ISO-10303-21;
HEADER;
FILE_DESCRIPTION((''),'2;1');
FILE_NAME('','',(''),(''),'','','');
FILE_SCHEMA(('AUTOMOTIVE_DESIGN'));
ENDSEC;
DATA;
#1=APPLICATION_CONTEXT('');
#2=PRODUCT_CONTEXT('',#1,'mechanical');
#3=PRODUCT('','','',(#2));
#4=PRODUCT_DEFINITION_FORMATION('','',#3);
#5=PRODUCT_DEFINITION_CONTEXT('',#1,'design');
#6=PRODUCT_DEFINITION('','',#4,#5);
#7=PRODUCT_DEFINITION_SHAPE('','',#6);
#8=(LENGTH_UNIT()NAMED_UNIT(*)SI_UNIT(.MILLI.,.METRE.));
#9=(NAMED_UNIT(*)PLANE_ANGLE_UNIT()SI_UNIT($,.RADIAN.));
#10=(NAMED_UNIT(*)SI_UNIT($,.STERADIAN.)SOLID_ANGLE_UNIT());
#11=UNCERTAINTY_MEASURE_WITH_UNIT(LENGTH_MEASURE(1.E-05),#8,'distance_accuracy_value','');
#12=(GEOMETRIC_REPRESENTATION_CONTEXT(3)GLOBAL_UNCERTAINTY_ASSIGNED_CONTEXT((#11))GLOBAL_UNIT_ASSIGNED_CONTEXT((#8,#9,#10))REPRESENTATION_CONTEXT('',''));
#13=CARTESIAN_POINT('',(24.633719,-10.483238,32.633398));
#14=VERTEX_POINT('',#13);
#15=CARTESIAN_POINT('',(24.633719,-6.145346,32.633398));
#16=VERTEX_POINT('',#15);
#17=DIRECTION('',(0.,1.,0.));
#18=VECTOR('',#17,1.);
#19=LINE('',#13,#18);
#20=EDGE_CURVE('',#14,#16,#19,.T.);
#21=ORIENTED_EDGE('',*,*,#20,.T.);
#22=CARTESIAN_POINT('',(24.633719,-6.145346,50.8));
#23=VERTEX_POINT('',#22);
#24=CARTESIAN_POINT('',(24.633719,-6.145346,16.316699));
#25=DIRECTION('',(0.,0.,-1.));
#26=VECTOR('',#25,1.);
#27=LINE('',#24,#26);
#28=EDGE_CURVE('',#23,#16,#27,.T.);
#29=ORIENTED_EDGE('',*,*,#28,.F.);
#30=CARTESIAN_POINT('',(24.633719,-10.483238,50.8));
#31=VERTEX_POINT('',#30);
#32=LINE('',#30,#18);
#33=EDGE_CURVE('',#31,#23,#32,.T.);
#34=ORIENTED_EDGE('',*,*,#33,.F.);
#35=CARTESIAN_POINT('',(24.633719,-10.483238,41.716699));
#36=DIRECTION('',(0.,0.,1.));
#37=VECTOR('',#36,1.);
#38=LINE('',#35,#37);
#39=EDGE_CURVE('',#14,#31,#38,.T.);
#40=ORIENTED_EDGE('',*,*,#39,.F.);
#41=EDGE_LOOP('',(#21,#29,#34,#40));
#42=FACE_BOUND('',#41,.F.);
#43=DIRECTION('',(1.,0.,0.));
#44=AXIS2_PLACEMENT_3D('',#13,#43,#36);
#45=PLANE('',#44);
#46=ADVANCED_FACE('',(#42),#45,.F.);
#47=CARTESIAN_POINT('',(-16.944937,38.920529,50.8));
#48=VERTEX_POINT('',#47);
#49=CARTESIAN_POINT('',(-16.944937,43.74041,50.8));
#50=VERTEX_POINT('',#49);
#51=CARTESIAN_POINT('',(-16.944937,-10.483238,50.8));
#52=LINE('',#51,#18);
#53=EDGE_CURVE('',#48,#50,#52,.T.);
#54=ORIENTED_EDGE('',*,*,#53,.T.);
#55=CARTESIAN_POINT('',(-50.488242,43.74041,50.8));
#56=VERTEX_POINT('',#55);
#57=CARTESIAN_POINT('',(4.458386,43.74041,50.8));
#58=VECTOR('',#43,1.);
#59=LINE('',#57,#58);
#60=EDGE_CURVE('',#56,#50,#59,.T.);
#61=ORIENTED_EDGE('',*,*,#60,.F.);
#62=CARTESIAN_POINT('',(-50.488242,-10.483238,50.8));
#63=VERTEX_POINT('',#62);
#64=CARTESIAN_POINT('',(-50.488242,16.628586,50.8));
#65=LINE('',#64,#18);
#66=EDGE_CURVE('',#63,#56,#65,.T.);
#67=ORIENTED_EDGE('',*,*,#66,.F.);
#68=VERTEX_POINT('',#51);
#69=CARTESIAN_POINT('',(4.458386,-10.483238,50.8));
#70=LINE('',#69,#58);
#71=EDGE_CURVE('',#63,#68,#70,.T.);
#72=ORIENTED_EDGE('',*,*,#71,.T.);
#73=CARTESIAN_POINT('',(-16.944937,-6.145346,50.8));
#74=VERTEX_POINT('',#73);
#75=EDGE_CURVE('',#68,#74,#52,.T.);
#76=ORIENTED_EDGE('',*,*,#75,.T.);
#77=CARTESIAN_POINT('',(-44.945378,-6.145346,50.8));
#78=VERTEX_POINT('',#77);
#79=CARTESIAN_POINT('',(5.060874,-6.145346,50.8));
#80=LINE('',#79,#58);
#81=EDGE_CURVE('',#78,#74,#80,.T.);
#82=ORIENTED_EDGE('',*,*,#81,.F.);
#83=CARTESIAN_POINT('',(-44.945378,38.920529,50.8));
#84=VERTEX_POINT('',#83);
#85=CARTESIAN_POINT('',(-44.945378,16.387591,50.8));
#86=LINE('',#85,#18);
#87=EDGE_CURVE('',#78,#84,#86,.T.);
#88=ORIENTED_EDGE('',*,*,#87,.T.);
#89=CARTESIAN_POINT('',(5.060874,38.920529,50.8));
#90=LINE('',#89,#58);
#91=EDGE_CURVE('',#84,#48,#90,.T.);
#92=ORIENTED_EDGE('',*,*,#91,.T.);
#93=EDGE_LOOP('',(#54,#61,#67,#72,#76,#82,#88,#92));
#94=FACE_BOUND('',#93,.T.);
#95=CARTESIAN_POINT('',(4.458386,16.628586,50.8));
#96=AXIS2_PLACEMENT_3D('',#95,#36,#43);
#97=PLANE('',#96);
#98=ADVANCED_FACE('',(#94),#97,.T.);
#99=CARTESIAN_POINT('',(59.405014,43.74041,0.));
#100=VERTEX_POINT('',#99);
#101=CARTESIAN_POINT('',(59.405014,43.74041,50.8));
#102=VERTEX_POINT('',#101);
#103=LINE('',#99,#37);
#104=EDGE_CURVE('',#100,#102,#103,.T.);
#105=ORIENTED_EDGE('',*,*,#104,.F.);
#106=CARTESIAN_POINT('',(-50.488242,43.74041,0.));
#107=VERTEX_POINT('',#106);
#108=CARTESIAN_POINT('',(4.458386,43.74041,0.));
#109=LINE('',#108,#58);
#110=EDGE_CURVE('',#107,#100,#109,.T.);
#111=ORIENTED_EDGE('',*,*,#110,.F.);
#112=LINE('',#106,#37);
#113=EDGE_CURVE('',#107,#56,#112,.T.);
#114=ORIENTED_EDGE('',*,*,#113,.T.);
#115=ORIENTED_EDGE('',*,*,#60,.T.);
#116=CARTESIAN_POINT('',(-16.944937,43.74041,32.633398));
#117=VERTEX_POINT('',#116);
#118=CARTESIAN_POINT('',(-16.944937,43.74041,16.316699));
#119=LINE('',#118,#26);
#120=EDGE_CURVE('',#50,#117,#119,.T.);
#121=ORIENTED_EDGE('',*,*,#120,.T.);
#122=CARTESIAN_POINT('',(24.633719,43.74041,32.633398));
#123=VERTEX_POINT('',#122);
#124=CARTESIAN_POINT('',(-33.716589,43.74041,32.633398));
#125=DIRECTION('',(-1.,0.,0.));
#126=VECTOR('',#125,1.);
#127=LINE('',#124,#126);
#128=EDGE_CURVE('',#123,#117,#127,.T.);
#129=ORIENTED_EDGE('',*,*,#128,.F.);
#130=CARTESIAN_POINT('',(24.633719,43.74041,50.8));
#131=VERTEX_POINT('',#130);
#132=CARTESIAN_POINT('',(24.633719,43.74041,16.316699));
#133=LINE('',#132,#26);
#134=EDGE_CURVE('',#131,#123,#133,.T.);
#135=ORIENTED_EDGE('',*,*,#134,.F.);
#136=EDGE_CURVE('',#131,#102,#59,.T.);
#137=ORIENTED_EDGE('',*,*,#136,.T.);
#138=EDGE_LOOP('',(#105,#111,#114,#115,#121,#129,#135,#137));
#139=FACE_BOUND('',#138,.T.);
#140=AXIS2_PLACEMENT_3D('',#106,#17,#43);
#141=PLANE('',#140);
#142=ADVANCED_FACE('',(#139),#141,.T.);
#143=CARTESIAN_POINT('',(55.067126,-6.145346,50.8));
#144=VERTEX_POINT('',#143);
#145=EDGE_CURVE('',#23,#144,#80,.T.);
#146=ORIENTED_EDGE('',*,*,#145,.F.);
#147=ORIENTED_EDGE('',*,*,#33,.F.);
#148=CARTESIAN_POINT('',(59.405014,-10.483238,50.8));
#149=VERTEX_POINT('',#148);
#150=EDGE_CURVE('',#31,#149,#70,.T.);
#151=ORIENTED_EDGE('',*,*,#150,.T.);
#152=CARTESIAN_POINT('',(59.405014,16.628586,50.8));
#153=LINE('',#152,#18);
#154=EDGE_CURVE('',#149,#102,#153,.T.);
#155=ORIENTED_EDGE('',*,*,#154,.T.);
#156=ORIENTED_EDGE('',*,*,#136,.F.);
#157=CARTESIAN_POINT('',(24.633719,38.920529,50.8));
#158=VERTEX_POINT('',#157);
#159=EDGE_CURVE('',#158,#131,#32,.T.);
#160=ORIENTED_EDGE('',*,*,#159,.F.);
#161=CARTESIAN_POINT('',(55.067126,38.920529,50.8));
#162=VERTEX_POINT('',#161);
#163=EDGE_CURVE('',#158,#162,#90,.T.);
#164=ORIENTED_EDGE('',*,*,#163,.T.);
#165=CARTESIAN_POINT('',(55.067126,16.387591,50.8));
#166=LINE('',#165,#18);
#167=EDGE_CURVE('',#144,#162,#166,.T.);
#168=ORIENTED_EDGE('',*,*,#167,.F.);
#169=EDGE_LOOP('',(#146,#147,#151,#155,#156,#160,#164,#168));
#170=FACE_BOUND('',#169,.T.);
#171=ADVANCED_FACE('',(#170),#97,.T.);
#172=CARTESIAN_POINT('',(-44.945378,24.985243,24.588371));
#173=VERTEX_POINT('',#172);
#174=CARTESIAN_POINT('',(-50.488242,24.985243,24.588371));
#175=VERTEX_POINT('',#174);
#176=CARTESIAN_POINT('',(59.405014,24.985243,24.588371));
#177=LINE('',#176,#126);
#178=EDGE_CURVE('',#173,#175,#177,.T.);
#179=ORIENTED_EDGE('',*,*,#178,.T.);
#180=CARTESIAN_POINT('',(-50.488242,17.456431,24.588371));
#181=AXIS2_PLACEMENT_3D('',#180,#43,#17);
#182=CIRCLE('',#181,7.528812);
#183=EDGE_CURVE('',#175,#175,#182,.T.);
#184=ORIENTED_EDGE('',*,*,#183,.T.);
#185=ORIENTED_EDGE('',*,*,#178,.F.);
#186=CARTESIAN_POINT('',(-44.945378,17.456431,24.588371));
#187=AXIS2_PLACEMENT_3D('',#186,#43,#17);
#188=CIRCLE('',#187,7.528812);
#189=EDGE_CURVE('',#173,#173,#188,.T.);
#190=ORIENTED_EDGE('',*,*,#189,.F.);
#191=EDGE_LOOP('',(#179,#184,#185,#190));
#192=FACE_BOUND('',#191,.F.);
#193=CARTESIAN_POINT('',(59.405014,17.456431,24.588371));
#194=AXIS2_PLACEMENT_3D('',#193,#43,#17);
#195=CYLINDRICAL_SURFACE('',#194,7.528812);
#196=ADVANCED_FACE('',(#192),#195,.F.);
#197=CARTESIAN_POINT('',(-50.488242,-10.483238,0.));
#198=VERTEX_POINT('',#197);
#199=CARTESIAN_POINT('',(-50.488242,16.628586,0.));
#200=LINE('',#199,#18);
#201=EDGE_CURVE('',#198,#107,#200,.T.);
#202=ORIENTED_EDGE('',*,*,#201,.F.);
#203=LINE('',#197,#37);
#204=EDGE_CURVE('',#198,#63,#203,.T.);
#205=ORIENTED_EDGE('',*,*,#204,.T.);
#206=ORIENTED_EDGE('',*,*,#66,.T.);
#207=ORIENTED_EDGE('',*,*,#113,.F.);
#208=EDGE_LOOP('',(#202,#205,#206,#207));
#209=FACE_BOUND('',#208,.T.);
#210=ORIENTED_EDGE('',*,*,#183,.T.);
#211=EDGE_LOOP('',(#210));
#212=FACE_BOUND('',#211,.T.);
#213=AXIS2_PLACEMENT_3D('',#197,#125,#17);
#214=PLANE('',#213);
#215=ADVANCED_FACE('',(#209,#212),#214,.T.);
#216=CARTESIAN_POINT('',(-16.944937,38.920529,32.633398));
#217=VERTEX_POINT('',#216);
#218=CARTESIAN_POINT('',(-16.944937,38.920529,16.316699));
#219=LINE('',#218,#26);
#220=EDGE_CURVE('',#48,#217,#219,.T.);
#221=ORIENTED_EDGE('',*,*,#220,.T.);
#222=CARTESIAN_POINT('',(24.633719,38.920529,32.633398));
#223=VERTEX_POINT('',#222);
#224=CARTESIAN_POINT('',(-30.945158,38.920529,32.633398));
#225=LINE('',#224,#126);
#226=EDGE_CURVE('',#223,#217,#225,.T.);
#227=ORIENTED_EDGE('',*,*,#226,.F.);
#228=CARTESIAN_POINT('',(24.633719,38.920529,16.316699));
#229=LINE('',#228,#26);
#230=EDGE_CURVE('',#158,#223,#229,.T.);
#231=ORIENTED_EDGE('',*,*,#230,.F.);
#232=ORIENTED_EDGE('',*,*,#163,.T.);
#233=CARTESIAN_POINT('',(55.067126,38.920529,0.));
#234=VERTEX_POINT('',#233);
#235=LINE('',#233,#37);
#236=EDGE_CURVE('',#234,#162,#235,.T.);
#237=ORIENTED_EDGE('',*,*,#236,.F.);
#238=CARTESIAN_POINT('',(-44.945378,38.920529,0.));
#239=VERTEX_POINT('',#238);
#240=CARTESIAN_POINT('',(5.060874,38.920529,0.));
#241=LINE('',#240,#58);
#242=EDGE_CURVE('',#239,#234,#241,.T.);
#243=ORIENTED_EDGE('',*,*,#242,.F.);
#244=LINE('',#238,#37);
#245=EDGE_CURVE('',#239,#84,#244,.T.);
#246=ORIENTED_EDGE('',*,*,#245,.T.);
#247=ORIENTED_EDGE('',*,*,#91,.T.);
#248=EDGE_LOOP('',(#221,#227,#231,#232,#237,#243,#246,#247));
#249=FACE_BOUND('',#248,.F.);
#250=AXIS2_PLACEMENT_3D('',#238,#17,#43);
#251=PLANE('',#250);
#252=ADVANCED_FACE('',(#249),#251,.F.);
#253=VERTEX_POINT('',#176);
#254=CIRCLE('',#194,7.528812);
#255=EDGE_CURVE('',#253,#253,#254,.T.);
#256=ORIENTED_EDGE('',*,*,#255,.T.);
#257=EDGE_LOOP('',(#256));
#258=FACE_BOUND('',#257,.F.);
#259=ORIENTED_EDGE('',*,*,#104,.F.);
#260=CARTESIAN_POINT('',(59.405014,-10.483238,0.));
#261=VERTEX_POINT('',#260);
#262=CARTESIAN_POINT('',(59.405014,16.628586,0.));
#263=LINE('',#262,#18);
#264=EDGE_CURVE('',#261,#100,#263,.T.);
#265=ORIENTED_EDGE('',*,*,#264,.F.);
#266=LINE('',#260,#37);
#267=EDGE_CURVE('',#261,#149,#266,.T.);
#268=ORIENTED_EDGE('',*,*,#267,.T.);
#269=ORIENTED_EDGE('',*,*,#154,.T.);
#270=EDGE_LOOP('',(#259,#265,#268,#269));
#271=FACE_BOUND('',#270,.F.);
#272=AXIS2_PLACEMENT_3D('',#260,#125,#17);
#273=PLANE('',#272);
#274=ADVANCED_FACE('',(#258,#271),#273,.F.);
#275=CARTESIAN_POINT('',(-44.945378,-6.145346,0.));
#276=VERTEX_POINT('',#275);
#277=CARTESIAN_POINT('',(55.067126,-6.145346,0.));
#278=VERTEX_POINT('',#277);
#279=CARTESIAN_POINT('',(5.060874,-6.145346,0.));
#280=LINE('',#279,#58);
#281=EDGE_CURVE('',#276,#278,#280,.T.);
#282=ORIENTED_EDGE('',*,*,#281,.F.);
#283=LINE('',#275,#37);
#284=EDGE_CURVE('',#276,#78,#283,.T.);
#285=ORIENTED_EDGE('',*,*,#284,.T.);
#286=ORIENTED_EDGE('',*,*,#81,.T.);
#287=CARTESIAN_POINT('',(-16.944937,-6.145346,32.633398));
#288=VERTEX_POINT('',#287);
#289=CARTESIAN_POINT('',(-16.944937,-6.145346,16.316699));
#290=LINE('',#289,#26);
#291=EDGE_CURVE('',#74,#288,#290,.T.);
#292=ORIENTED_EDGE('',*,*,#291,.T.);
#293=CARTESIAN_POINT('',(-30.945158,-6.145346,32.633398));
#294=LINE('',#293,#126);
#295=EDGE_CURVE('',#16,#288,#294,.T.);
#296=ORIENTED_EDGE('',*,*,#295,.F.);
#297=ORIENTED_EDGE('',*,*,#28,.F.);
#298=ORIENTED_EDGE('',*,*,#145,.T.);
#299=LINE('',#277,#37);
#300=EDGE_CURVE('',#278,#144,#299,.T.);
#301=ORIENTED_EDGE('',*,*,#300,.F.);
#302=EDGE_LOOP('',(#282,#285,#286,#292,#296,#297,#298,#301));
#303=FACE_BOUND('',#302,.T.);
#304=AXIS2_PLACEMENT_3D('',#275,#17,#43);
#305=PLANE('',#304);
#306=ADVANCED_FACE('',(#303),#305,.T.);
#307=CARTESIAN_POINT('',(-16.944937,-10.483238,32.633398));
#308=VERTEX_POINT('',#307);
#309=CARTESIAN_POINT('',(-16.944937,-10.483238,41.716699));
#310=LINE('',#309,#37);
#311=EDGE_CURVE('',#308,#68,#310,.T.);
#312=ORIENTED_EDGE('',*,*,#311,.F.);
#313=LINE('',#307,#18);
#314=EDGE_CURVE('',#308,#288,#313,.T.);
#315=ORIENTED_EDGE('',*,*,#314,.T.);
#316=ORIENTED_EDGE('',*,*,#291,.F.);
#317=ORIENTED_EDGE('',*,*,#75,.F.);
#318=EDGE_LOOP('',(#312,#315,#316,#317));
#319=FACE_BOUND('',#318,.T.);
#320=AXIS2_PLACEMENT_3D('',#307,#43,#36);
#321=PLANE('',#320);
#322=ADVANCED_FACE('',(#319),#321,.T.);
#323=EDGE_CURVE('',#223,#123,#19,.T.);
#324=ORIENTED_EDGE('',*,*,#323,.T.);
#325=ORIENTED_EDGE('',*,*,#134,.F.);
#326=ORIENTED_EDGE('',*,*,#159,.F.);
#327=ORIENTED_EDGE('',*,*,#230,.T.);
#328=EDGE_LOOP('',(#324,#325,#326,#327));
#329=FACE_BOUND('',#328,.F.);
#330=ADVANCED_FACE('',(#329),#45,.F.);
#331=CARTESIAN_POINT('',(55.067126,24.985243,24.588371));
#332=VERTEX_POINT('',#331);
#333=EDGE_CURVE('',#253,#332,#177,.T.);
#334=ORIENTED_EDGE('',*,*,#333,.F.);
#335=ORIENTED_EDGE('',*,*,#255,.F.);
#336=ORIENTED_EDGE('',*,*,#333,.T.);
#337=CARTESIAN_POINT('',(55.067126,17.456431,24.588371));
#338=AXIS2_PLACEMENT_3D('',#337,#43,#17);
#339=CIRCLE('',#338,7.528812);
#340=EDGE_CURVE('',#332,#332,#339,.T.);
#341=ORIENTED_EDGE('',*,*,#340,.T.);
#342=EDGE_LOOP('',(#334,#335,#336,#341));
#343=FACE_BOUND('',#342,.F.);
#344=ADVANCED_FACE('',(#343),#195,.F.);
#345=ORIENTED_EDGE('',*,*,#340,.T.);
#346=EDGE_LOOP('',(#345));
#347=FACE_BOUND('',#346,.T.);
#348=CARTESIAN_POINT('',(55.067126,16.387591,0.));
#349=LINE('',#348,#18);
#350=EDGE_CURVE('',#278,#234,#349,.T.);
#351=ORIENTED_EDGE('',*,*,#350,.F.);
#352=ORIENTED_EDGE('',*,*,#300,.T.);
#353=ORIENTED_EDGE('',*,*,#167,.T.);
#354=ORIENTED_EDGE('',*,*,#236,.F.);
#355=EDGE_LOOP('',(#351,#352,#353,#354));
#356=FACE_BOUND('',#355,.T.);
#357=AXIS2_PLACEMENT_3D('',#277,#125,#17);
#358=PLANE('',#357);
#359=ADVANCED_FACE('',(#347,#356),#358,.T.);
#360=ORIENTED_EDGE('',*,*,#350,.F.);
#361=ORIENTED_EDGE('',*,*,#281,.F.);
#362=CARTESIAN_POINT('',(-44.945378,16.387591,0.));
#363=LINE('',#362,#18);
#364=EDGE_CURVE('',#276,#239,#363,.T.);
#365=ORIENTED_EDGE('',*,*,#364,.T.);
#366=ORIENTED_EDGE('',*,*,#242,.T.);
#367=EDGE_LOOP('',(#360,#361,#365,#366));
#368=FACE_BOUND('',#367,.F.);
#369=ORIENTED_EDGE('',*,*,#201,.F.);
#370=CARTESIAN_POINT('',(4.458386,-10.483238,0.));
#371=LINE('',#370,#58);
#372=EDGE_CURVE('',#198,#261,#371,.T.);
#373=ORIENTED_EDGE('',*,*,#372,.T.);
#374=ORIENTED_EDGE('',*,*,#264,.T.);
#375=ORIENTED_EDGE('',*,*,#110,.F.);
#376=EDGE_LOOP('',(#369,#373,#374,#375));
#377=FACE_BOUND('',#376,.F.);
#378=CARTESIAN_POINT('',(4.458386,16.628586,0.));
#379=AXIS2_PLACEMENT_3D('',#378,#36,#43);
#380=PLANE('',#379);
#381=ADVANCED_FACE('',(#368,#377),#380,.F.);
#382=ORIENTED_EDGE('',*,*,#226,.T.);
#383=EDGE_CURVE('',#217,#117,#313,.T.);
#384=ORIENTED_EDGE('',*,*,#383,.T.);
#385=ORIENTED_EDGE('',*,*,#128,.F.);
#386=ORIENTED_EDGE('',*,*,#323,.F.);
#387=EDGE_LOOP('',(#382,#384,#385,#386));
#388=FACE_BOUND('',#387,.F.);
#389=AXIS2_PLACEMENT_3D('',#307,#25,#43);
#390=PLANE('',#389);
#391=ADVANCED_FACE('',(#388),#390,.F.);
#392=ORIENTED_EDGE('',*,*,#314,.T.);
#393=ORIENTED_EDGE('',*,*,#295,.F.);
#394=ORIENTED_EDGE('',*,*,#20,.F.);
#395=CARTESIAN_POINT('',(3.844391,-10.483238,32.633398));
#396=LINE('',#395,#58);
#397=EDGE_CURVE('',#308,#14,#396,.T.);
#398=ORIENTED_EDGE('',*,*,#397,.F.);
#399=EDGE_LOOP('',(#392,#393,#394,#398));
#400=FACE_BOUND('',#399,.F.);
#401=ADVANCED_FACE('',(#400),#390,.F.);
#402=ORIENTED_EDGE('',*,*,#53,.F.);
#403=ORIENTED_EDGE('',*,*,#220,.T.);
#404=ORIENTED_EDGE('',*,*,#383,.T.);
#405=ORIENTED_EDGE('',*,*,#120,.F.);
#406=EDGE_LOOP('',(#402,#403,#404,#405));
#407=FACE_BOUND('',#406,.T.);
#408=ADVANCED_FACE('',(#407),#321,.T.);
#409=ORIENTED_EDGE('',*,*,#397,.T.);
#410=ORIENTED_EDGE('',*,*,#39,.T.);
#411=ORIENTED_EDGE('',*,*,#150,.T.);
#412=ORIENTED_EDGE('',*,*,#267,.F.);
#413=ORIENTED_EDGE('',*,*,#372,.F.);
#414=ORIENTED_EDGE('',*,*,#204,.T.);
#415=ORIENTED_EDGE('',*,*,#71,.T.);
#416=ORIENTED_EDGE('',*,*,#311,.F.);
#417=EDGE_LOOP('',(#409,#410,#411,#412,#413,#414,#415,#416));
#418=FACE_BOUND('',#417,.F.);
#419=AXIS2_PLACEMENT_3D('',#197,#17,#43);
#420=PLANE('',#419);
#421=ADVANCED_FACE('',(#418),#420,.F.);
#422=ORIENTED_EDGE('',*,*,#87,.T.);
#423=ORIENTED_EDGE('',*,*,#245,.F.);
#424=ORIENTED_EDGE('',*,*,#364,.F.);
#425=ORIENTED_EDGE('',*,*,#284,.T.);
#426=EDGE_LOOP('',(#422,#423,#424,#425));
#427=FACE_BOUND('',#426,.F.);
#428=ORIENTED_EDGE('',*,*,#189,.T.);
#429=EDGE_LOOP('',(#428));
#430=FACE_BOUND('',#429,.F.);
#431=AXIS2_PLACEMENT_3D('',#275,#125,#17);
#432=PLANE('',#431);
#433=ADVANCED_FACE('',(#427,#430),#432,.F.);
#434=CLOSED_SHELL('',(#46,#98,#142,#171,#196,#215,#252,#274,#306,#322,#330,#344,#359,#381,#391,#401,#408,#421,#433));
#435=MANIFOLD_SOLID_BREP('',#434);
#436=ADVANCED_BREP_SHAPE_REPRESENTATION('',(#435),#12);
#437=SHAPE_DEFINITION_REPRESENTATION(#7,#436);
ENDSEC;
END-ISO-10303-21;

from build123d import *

# Parameters (mm, degrees)
F0_W     = 109.893255
F0_H     = 54.223648
F0_W_2   = 100.012504
F0_H_2   = 45.065875
F1_DEPTH = 50.8
F2_W     = 41.578656
F2_H     = 18.166602
F4_DEPTH = 70.612
F3_R     = 7.528812
F5_DEPTH = 124.714


with BuildPart() as f1:
    # F0 (on Top) → F1 (new body)
    with BuildSketch(Plane.XY):
        with Locations((4.458386, 16.628586)):
            Rectangle(F0_W, F0_H)
        with Locations((5.060874, 16.387591)):
            Rectangle(F0_W_2, F0_H_2, mode=Mode.SUBTRACT)
    extrude(amount=F1_DEPTH)

    # F2 (on face) → F4 (cut)
    with BuildSketch(Plane.XZ.offset(10.483238)):
        with Locations((3.844391, 41.716699)):
            Rectangle(F2_W, F2_H)
    extrude(amount=-F4_DEPTH, mode=Mode.SUBTRACT)

    # F3 (on face) → F5 (cut)
    with BuildSketch(Plane.YZ.offset(59.405014)):
        with Locations((17.456431, 24.588371)):
            Circle(F3_R)
    extrude(amount=-F5_DEPTH, mode=Mode.SUBTRACT)


solid = f1.part
